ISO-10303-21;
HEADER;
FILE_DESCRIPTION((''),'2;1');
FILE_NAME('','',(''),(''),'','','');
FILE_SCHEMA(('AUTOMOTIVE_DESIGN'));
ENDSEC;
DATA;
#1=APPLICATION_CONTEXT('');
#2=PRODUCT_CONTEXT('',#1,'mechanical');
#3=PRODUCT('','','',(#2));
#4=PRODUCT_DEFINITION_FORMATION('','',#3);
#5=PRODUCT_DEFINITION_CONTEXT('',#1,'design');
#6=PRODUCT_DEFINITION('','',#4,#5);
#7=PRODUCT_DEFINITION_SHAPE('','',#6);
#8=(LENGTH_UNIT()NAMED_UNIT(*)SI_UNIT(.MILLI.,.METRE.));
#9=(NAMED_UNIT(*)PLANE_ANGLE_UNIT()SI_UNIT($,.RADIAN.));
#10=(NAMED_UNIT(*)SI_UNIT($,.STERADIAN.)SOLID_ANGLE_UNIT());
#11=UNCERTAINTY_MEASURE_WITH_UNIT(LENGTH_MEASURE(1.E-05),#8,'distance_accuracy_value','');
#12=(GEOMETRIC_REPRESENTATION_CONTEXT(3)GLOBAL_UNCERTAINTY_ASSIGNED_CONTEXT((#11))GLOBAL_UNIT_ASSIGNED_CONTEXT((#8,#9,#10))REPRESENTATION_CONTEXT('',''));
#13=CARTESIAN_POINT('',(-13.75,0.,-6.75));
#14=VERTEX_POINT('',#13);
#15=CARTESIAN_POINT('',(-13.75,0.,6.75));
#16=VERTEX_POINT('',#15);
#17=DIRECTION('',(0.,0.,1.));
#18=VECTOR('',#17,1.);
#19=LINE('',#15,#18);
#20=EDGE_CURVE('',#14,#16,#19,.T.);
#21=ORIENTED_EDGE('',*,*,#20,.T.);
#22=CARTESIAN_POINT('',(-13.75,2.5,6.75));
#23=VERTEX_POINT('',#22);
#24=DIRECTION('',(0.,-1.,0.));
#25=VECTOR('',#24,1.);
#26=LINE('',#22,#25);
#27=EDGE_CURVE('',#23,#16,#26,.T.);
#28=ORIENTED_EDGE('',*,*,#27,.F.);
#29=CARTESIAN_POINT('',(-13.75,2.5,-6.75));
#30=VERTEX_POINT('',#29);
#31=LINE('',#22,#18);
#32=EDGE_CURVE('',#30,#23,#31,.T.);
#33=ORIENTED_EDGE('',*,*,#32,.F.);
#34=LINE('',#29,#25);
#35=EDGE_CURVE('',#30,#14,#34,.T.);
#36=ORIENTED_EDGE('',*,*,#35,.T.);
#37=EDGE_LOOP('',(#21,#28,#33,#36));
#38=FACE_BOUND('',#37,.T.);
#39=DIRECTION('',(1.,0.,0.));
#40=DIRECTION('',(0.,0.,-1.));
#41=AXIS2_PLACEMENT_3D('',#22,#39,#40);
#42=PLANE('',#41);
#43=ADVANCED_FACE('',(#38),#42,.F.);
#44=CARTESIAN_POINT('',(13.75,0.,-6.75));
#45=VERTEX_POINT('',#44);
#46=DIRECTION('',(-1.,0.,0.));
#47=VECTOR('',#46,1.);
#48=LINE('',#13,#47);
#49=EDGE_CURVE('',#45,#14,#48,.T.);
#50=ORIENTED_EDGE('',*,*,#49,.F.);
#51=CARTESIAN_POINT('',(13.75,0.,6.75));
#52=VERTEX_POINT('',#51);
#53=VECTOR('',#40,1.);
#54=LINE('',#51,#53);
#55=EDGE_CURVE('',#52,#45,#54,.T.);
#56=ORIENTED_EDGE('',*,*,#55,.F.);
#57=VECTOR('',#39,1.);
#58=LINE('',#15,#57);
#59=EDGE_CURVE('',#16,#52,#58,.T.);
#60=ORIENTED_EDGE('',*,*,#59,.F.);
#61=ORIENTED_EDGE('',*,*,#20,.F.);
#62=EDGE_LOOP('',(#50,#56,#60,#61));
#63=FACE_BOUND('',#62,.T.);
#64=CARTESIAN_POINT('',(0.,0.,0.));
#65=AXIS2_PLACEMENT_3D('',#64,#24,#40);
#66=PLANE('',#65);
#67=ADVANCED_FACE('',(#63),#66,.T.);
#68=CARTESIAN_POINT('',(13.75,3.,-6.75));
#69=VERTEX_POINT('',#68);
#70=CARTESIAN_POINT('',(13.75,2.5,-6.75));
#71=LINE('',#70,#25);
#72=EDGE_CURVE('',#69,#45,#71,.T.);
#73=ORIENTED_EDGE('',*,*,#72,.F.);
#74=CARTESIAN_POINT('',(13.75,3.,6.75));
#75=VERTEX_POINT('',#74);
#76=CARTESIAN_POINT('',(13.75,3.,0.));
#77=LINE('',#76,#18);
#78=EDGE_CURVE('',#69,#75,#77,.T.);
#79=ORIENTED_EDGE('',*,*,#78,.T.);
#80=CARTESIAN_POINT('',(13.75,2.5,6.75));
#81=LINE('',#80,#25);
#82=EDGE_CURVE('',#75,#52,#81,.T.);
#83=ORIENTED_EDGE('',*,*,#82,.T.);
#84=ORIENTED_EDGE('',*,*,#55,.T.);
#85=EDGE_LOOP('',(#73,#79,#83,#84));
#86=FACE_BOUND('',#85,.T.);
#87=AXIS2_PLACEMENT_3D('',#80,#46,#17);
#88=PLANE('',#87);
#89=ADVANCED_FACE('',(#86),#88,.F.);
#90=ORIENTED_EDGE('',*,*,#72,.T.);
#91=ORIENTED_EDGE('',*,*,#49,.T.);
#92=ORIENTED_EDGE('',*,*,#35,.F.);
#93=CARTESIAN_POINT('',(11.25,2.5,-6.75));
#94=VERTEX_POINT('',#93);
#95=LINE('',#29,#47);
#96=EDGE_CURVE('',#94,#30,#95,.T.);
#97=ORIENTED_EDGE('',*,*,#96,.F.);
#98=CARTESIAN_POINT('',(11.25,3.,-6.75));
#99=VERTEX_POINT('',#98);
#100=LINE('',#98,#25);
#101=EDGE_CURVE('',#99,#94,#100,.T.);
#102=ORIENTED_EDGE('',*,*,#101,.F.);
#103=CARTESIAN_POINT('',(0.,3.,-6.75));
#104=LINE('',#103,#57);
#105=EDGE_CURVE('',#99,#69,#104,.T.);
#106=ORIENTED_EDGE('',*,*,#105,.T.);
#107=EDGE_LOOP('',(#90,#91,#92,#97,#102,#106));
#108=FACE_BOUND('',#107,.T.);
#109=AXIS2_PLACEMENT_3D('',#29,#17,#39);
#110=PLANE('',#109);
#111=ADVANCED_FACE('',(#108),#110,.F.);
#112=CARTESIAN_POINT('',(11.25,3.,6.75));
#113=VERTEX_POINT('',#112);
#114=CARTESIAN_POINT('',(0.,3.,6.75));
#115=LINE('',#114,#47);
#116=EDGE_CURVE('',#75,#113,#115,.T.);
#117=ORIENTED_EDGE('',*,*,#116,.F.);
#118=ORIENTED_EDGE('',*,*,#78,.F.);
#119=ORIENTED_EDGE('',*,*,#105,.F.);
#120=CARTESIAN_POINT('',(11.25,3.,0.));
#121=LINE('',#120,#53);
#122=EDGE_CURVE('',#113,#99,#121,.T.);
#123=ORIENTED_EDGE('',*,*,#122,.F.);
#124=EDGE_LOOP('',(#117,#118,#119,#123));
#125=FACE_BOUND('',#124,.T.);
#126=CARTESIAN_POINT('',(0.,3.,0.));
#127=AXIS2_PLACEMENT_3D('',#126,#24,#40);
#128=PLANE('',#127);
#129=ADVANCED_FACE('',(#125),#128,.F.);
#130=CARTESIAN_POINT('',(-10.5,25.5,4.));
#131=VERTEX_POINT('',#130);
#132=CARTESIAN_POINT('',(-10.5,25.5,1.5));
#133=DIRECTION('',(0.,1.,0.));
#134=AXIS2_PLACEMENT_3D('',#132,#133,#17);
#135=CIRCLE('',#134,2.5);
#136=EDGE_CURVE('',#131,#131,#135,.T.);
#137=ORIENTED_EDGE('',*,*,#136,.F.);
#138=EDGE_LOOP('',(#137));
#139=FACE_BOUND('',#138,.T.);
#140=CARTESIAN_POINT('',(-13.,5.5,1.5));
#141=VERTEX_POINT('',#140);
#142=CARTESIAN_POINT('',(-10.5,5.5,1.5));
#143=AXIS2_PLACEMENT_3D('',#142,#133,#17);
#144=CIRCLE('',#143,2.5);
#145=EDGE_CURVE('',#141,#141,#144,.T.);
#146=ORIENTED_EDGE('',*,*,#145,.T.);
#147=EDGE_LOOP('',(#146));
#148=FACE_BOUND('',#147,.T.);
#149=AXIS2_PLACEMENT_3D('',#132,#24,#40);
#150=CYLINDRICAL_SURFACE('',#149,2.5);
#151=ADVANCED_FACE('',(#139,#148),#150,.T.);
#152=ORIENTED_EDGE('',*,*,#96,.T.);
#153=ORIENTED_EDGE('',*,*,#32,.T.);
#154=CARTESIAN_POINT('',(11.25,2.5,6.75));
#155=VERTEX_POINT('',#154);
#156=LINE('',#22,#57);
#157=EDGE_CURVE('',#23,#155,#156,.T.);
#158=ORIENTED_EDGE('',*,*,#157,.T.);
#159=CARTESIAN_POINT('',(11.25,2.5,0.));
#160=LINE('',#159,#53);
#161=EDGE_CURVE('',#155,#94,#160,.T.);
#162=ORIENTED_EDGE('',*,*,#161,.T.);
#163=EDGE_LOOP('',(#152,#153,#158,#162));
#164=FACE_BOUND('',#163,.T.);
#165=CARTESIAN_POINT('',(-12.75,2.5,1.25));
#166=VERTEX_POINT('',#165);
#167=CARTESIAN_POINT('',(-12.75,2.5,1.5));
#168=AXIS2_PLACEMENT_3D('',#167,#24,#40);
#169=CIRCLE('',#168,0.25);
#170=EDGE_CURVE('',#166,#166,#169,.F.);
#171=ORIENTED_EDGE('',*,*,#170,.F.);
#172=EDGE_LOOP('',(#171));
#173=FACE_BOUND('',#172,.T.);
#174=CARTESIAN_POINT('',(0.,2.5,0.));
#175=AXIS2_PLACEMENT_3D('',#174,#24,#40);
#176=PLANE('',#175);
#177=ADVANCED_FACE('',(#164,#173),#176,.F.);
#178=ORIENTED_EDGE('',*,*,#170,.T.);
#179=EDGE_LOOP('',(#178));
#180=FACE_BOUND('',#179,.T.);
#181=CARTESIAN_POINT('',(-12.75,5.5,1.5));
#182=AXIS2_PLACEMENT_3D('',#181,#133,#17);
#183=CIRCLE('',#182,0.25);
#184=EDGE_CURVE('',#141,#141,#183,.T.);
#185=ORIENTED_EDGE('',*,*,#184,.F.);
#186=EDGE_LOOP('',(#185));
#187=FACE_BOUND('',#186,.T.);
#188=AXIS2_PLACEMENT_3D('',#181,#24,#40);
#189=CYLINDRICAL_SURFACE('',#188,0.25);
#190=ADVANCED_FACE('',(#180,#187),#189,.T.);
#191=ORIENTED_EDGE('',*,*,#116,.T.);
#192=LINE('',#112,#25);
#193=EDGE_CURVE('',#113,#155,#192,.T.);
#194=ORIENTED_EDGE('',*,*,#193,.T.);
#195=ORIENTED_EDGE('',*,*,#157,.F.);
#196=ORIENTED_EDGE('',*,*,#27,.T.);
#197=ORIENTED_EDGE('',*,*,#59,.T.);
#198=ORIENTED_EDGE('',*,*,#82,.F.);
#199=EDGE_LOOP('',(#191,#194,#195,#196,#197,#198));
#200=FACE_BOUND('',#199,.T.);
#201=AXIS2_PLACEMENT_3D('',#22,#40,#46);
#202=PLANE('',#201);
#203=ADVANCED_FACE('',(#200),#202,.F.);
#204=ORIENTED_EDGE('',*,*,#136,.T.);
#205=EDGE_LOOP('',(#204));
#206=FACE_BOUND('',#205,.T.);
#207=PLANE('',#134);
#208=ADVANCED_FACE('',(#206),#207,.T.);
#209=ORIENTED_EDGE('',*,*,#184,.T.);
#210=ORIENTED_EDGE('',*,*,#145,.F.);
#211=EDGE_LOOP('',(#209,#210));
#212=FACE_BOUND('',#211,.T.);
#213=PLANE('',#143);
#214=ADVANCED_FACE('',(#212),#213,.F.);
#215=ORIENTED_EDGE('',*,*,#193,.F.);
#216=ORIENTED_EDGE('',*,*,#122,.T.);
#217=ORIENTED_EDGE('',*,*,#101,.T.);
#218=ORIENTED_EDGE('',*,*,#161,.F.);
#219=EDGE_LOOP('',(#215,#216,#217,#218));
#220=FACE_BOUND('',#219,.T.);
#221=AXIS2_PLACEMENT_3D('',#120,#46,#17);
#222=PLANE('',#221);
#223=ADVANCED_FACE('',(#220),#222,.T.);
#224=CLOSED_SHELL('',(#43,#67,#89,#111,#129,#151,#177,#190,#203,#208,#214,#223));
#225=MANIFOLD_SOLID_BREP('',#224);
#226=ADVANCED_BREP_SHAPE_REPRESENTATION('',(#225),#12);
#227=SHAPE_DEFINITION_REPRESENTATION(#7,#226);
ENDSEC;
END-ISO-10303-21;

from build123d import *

# Parameters (mm, degrees)
SKETCH_1_W      = 27.5
SKETCH_1_H      = 13.5
EXTRUDE_1_DEPTH = 2.5
SKETCH_2_W      = 2.5
SKETCH_2_H      = 13.5
EXTRUDE_2_DEPTH = 3
SKETCH_5_R      = 0.25
EXTRUDE_6_DEPTH = 3
SKETCH_6_R      = 2.5
EXTRUDE_7_DEPTH = 20


with BuildPart() as part:
    # Эскиз1 → Бобышка-Вытянуть1 (new body)
    with BuildSketch(Plane(origin=(0, 0, 0), x_dir=(1, 0, 0), z_dir=(0, 1, 0))):
        Rectangle(SKETCH_1_W, SKETCH_1_H)
    extrude(amount=EXTRUDE_1_DEPTH)

    # Эскиз2 → Бобышка-Вытянуть2 (add)
    with BuildSketch(Plane.XZ):
        with Locations((12.5, 0)):
            Rectangle(SKETCH_2_W, SKETCH_2_H)
    extrude(amount=-EXTRUDE_2_DEPTH)

    # Эскиз5 → Бобышка-Вытянуть6 (add)
    with BuildSketch(Plane(origin=(0, 2.5, 0), x_dir=(1, 0, 0), z_dir=(0, 1, 0))):
        with Locations(Location((-12.75, -1.5, 0), (0, 0, 90))):
            Circle(SKETCH_5_R)
    extrude(amount=EXTRUDE_6_DEPTH)

    # Эскиз6 → Бобышка-Вытянуть7 (add)
    with BuildSketch(Plane(origin=(0, 5.5, 0), x_dir=(1, 0, 0), z_dir=(0, 1, 0))):
        with Locations(Location((-10.5, -1.5, 0), (0, 0, 180))):
            Circle(SKETCH_6_R)
    extrude(amount=EXTRUDE_7_DEPTH)


solid = part.part
